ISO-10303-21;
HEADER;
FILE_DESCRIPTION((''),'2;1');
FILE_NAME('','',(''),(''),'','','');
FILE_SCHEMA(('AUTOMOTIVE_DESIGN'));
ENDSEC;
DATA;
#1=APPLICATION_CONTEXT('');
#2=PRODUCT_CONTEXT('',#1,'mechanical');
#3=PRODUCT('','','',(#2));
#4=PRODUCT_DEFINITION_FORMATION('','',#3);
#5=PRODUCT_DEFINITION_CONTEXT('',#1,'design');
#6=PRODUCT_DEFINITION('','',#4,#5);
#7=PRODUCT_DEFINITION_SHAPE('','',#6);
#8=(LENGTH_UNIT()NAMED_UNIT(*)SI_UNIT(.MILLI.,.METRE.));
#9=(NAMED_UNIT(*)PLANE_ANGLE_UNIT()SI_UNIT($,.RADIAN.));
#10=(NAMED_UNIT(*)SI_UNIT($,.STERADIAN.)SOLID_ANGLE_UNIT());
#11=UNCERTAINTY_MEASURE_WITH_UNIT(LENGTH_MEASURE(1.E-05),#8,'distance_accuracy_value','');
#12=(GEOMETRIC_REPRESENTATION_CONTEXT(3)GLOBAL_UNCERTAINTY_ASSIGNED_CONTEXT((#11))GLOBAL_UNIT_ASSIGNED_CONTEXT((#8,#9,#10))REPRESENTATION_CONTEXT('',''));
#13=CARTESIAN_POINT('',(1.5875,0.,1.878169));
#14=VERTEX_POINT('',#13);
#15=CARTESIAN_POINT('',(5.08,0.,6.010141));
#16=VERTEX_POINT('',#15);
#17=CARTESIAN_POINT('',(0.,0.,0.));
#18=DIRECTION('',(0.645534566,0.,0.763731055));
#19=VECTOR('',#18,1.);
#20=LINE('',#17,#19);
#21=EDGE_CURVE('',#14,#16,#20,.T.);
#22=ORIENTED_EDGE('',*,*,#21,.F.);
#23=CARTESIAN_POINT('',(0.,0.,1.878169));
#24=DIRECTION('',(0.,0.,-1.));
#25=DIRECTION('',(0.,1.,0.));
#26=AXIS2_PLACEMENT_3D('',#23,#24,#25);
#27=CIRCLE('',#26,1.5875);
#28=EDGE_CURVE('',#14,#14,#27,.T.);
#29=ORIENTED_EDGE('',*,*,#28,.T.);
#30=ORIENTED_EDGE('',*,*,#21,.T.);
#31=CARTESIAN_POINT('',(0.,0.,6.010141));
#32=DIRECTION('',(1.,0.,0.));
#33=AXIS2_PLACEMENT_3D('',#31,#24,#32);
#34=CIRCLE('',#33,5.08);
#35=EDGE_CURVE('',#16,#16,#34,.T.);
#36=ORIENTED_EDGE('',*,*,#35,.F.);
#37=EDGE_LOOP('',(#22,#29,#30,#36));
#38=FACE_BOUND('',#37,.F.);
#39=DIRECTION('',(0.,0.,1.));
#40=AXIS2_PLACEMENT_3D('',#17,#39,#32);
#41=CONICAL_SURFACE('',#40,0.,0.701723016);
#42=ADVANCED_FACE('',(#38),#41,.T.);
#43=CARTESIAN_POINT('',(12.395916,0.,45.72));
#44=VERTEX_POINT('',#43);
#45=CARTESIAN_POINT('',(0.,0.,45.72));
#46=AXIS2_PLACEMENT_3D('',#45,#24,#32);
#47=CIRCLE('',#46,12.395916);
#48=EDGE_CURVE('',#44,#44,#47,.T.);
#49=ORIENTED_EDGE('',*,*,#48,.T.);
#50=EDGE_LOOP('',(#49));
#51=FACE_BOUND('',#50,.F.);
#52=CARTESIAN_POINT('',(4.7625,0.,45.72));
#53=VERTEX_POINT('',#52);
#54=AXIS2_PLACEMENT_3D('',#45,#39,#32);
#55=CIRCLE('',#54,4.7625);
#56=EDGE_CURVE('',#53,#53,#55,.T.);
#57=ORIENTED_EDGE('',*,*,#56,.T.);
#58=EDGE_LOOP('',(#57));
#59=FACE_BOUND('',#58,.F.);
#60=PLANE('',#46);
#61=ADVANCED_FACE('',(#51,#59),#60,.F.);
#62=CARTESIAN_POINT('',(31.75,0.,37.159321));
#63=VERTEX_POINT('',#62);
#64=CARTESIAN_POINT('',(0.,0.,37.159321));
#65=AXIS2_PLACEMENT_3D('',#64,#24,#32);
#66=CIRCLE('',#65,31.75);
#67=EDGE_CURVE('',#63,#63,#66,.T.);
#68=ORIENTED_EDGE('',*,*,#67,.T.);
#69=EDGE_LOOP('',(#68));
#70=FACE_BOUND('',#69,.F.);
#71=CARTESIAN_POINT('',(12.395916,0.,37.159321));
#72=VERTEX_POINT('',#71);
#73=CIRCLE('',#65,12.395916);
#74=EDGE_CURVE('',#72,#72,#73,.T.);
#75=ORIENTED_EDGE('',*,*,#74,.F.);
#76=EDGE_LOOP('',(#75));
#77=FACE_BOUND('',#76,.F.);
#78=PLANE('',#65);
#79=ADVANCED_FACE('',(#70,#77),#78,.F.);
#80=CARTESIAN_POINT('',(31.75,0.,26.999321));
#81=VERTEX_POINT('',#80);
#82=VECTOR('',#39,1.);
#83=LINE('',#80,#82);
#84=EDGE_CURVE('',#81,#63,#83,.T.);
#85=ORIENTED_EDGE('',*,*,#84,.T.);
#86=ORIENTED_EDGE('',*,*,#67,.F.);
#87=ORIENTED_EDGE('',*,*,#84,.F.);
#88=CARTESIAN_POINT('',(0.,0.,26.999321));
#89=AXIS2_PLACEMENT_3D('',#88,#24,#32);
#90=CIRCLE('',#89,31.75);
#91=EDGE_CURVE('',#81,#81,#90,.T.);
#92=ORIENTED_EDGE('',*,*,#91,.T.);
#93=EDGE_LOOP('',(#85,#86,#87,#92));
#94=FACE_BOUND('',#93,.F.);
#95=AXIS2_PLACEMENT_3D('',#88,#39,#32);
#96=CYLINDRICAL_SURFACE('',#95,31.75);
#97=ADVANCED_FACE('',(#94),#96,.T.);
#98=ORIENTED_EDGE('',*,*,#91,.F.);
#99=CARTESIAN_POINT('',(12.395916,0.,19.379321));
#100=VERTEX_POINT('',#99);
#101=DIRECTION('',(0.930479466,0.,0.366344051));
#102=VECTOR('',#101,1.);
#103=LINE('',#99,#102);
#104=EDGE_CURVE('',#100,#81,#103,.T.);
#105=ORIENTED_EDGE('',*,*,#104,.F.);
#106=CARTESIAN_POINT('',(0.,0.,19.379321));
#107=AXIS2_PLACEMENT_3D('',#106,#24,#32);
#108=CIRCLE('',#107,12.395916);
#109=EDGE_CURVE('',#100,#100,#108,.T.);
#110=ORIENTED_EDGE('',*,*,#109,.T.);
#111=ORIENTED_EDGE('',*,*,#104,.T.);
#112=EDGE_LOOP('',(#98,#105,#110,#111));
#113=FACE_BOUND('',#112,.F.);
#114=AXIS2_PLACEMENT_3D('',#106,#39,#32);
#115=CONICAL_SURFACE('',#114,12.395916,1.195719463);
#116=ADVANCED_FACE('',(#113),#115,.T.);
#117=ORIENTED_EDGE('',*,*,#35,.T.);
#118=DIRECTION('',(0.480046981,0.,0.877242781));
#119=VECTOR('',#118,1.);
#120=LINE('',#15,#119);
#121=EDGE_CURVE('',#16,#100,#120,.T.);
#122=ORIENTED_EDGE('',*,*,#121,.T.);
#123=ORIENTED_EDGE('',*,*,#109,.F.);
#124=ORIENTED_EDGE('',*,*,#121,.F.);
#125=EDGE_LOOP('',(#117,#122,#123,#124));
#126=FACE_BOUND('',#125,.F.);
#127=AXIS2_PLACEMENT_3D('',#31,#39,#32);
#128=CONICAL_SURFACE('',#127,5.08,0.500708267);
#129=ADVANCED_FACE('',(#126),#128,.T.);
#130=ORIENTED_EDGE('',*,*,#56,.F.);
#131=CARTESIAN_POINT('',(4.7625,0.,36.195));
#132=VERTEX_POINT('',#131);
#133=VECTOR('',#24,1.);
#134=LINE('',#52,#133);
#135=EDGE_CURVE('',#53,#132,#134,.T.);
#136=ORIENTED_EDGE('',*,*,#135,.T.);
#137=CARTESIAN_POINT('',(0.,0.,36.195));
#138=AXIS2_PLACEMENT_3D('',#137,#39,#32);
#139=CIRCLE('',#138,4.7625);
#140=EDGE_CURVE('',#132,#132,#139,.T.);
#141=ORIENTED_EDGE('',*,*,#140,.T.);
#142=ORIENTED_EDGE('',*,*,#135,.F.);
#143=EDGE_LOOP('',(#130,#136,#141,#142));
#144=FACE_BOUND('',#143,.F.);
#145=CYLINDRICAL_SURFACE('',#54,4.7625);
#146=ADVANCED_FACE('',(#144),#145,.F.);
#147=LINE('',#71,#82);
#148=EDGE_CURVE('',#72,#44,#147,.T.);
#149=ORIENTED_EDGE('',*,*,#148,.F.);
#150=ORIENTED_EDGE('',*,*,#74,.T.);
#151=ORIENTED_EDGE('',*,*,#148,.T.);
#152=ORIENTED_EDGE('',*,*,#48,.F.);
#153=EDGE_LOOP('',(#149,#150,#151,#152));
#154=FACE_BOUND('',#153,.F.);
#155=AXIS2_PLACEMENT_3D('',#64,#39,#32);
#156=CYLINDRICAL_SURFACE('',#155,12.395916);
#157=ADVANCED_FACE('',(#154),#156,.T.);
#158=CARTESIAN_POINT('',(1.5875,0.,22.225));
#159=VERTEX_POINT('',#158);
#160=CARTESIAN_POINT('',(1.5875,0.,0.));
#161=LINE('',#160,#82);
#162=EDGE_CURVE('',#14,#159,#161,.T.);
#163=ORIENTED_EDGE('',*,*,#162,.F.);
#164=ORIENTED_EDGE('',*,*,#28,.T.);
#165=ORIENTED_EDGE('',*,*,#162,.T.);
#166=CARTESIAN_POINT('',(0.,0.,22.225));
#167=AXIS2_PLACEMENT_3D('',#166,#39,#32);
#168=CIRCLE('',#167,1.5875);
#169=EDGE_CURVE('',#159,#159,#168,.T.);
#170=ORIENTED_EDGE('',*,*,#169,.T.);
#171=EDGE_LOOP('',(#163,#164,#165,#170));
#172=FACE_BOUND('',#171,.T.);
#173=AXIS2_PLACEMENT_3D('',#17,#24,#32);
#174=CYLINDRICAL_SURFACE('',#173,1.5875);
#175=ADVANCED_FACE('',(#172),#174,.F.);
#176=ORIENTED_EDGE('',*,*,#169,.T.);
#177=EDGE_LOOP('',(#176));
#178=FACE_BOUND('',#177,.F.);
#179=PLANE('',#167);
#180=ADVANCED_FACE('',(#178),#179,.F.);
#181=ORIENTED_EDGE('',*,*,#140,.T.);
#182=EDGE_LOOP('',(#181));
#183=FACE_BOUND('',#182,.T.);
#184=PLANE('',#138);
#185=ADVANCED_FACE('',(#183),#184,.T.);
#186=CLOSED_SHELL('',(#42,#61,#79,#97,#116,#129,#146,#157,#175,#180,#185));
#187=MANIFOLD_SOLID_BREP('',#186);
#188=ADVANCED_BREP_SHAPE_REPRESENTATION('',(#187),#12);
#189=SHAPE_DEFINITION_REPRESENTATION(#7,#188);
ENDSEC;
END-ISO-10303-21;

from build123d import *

# Parameters (mm, degrees)
F2_R     = 4.7625
F3_DEPTH = 9.525
F4_R     = 1.5875
F5_DEPTH = 22.225


with BuildPart() as f1:
    # F0 (on Front) → F1 (revolve)
    with BuildSketch(Plane.XZ):
        Polygon((0, 45.72), (0, 0), (5.08, 6.010141), (12.395916, 19.379321), (31.75, 26.999321), (31.75, 37.159321), (12.395916, 37.159321), (12.395916, 45.72), align=None)
    revolve(axis=Axis((0, 0, 22.86), (0, 0, -1)))

    # F2 (on face) → F3 (cut)
    with BuildSketch(Plane.XY.offset(45.72)):
        Circle(F2_R)
    extrude(amount=-F3_DEPTH, mode=Mode.SUBTRACT)

    # F4 (on Top) → F5 (cut)
    with BuildSketch(Plane.XY):
        Circle(F4_R)
    extrude(amount=F5_DEPTH, mode=Mode.SUBTRACT)


solid = f1.part
